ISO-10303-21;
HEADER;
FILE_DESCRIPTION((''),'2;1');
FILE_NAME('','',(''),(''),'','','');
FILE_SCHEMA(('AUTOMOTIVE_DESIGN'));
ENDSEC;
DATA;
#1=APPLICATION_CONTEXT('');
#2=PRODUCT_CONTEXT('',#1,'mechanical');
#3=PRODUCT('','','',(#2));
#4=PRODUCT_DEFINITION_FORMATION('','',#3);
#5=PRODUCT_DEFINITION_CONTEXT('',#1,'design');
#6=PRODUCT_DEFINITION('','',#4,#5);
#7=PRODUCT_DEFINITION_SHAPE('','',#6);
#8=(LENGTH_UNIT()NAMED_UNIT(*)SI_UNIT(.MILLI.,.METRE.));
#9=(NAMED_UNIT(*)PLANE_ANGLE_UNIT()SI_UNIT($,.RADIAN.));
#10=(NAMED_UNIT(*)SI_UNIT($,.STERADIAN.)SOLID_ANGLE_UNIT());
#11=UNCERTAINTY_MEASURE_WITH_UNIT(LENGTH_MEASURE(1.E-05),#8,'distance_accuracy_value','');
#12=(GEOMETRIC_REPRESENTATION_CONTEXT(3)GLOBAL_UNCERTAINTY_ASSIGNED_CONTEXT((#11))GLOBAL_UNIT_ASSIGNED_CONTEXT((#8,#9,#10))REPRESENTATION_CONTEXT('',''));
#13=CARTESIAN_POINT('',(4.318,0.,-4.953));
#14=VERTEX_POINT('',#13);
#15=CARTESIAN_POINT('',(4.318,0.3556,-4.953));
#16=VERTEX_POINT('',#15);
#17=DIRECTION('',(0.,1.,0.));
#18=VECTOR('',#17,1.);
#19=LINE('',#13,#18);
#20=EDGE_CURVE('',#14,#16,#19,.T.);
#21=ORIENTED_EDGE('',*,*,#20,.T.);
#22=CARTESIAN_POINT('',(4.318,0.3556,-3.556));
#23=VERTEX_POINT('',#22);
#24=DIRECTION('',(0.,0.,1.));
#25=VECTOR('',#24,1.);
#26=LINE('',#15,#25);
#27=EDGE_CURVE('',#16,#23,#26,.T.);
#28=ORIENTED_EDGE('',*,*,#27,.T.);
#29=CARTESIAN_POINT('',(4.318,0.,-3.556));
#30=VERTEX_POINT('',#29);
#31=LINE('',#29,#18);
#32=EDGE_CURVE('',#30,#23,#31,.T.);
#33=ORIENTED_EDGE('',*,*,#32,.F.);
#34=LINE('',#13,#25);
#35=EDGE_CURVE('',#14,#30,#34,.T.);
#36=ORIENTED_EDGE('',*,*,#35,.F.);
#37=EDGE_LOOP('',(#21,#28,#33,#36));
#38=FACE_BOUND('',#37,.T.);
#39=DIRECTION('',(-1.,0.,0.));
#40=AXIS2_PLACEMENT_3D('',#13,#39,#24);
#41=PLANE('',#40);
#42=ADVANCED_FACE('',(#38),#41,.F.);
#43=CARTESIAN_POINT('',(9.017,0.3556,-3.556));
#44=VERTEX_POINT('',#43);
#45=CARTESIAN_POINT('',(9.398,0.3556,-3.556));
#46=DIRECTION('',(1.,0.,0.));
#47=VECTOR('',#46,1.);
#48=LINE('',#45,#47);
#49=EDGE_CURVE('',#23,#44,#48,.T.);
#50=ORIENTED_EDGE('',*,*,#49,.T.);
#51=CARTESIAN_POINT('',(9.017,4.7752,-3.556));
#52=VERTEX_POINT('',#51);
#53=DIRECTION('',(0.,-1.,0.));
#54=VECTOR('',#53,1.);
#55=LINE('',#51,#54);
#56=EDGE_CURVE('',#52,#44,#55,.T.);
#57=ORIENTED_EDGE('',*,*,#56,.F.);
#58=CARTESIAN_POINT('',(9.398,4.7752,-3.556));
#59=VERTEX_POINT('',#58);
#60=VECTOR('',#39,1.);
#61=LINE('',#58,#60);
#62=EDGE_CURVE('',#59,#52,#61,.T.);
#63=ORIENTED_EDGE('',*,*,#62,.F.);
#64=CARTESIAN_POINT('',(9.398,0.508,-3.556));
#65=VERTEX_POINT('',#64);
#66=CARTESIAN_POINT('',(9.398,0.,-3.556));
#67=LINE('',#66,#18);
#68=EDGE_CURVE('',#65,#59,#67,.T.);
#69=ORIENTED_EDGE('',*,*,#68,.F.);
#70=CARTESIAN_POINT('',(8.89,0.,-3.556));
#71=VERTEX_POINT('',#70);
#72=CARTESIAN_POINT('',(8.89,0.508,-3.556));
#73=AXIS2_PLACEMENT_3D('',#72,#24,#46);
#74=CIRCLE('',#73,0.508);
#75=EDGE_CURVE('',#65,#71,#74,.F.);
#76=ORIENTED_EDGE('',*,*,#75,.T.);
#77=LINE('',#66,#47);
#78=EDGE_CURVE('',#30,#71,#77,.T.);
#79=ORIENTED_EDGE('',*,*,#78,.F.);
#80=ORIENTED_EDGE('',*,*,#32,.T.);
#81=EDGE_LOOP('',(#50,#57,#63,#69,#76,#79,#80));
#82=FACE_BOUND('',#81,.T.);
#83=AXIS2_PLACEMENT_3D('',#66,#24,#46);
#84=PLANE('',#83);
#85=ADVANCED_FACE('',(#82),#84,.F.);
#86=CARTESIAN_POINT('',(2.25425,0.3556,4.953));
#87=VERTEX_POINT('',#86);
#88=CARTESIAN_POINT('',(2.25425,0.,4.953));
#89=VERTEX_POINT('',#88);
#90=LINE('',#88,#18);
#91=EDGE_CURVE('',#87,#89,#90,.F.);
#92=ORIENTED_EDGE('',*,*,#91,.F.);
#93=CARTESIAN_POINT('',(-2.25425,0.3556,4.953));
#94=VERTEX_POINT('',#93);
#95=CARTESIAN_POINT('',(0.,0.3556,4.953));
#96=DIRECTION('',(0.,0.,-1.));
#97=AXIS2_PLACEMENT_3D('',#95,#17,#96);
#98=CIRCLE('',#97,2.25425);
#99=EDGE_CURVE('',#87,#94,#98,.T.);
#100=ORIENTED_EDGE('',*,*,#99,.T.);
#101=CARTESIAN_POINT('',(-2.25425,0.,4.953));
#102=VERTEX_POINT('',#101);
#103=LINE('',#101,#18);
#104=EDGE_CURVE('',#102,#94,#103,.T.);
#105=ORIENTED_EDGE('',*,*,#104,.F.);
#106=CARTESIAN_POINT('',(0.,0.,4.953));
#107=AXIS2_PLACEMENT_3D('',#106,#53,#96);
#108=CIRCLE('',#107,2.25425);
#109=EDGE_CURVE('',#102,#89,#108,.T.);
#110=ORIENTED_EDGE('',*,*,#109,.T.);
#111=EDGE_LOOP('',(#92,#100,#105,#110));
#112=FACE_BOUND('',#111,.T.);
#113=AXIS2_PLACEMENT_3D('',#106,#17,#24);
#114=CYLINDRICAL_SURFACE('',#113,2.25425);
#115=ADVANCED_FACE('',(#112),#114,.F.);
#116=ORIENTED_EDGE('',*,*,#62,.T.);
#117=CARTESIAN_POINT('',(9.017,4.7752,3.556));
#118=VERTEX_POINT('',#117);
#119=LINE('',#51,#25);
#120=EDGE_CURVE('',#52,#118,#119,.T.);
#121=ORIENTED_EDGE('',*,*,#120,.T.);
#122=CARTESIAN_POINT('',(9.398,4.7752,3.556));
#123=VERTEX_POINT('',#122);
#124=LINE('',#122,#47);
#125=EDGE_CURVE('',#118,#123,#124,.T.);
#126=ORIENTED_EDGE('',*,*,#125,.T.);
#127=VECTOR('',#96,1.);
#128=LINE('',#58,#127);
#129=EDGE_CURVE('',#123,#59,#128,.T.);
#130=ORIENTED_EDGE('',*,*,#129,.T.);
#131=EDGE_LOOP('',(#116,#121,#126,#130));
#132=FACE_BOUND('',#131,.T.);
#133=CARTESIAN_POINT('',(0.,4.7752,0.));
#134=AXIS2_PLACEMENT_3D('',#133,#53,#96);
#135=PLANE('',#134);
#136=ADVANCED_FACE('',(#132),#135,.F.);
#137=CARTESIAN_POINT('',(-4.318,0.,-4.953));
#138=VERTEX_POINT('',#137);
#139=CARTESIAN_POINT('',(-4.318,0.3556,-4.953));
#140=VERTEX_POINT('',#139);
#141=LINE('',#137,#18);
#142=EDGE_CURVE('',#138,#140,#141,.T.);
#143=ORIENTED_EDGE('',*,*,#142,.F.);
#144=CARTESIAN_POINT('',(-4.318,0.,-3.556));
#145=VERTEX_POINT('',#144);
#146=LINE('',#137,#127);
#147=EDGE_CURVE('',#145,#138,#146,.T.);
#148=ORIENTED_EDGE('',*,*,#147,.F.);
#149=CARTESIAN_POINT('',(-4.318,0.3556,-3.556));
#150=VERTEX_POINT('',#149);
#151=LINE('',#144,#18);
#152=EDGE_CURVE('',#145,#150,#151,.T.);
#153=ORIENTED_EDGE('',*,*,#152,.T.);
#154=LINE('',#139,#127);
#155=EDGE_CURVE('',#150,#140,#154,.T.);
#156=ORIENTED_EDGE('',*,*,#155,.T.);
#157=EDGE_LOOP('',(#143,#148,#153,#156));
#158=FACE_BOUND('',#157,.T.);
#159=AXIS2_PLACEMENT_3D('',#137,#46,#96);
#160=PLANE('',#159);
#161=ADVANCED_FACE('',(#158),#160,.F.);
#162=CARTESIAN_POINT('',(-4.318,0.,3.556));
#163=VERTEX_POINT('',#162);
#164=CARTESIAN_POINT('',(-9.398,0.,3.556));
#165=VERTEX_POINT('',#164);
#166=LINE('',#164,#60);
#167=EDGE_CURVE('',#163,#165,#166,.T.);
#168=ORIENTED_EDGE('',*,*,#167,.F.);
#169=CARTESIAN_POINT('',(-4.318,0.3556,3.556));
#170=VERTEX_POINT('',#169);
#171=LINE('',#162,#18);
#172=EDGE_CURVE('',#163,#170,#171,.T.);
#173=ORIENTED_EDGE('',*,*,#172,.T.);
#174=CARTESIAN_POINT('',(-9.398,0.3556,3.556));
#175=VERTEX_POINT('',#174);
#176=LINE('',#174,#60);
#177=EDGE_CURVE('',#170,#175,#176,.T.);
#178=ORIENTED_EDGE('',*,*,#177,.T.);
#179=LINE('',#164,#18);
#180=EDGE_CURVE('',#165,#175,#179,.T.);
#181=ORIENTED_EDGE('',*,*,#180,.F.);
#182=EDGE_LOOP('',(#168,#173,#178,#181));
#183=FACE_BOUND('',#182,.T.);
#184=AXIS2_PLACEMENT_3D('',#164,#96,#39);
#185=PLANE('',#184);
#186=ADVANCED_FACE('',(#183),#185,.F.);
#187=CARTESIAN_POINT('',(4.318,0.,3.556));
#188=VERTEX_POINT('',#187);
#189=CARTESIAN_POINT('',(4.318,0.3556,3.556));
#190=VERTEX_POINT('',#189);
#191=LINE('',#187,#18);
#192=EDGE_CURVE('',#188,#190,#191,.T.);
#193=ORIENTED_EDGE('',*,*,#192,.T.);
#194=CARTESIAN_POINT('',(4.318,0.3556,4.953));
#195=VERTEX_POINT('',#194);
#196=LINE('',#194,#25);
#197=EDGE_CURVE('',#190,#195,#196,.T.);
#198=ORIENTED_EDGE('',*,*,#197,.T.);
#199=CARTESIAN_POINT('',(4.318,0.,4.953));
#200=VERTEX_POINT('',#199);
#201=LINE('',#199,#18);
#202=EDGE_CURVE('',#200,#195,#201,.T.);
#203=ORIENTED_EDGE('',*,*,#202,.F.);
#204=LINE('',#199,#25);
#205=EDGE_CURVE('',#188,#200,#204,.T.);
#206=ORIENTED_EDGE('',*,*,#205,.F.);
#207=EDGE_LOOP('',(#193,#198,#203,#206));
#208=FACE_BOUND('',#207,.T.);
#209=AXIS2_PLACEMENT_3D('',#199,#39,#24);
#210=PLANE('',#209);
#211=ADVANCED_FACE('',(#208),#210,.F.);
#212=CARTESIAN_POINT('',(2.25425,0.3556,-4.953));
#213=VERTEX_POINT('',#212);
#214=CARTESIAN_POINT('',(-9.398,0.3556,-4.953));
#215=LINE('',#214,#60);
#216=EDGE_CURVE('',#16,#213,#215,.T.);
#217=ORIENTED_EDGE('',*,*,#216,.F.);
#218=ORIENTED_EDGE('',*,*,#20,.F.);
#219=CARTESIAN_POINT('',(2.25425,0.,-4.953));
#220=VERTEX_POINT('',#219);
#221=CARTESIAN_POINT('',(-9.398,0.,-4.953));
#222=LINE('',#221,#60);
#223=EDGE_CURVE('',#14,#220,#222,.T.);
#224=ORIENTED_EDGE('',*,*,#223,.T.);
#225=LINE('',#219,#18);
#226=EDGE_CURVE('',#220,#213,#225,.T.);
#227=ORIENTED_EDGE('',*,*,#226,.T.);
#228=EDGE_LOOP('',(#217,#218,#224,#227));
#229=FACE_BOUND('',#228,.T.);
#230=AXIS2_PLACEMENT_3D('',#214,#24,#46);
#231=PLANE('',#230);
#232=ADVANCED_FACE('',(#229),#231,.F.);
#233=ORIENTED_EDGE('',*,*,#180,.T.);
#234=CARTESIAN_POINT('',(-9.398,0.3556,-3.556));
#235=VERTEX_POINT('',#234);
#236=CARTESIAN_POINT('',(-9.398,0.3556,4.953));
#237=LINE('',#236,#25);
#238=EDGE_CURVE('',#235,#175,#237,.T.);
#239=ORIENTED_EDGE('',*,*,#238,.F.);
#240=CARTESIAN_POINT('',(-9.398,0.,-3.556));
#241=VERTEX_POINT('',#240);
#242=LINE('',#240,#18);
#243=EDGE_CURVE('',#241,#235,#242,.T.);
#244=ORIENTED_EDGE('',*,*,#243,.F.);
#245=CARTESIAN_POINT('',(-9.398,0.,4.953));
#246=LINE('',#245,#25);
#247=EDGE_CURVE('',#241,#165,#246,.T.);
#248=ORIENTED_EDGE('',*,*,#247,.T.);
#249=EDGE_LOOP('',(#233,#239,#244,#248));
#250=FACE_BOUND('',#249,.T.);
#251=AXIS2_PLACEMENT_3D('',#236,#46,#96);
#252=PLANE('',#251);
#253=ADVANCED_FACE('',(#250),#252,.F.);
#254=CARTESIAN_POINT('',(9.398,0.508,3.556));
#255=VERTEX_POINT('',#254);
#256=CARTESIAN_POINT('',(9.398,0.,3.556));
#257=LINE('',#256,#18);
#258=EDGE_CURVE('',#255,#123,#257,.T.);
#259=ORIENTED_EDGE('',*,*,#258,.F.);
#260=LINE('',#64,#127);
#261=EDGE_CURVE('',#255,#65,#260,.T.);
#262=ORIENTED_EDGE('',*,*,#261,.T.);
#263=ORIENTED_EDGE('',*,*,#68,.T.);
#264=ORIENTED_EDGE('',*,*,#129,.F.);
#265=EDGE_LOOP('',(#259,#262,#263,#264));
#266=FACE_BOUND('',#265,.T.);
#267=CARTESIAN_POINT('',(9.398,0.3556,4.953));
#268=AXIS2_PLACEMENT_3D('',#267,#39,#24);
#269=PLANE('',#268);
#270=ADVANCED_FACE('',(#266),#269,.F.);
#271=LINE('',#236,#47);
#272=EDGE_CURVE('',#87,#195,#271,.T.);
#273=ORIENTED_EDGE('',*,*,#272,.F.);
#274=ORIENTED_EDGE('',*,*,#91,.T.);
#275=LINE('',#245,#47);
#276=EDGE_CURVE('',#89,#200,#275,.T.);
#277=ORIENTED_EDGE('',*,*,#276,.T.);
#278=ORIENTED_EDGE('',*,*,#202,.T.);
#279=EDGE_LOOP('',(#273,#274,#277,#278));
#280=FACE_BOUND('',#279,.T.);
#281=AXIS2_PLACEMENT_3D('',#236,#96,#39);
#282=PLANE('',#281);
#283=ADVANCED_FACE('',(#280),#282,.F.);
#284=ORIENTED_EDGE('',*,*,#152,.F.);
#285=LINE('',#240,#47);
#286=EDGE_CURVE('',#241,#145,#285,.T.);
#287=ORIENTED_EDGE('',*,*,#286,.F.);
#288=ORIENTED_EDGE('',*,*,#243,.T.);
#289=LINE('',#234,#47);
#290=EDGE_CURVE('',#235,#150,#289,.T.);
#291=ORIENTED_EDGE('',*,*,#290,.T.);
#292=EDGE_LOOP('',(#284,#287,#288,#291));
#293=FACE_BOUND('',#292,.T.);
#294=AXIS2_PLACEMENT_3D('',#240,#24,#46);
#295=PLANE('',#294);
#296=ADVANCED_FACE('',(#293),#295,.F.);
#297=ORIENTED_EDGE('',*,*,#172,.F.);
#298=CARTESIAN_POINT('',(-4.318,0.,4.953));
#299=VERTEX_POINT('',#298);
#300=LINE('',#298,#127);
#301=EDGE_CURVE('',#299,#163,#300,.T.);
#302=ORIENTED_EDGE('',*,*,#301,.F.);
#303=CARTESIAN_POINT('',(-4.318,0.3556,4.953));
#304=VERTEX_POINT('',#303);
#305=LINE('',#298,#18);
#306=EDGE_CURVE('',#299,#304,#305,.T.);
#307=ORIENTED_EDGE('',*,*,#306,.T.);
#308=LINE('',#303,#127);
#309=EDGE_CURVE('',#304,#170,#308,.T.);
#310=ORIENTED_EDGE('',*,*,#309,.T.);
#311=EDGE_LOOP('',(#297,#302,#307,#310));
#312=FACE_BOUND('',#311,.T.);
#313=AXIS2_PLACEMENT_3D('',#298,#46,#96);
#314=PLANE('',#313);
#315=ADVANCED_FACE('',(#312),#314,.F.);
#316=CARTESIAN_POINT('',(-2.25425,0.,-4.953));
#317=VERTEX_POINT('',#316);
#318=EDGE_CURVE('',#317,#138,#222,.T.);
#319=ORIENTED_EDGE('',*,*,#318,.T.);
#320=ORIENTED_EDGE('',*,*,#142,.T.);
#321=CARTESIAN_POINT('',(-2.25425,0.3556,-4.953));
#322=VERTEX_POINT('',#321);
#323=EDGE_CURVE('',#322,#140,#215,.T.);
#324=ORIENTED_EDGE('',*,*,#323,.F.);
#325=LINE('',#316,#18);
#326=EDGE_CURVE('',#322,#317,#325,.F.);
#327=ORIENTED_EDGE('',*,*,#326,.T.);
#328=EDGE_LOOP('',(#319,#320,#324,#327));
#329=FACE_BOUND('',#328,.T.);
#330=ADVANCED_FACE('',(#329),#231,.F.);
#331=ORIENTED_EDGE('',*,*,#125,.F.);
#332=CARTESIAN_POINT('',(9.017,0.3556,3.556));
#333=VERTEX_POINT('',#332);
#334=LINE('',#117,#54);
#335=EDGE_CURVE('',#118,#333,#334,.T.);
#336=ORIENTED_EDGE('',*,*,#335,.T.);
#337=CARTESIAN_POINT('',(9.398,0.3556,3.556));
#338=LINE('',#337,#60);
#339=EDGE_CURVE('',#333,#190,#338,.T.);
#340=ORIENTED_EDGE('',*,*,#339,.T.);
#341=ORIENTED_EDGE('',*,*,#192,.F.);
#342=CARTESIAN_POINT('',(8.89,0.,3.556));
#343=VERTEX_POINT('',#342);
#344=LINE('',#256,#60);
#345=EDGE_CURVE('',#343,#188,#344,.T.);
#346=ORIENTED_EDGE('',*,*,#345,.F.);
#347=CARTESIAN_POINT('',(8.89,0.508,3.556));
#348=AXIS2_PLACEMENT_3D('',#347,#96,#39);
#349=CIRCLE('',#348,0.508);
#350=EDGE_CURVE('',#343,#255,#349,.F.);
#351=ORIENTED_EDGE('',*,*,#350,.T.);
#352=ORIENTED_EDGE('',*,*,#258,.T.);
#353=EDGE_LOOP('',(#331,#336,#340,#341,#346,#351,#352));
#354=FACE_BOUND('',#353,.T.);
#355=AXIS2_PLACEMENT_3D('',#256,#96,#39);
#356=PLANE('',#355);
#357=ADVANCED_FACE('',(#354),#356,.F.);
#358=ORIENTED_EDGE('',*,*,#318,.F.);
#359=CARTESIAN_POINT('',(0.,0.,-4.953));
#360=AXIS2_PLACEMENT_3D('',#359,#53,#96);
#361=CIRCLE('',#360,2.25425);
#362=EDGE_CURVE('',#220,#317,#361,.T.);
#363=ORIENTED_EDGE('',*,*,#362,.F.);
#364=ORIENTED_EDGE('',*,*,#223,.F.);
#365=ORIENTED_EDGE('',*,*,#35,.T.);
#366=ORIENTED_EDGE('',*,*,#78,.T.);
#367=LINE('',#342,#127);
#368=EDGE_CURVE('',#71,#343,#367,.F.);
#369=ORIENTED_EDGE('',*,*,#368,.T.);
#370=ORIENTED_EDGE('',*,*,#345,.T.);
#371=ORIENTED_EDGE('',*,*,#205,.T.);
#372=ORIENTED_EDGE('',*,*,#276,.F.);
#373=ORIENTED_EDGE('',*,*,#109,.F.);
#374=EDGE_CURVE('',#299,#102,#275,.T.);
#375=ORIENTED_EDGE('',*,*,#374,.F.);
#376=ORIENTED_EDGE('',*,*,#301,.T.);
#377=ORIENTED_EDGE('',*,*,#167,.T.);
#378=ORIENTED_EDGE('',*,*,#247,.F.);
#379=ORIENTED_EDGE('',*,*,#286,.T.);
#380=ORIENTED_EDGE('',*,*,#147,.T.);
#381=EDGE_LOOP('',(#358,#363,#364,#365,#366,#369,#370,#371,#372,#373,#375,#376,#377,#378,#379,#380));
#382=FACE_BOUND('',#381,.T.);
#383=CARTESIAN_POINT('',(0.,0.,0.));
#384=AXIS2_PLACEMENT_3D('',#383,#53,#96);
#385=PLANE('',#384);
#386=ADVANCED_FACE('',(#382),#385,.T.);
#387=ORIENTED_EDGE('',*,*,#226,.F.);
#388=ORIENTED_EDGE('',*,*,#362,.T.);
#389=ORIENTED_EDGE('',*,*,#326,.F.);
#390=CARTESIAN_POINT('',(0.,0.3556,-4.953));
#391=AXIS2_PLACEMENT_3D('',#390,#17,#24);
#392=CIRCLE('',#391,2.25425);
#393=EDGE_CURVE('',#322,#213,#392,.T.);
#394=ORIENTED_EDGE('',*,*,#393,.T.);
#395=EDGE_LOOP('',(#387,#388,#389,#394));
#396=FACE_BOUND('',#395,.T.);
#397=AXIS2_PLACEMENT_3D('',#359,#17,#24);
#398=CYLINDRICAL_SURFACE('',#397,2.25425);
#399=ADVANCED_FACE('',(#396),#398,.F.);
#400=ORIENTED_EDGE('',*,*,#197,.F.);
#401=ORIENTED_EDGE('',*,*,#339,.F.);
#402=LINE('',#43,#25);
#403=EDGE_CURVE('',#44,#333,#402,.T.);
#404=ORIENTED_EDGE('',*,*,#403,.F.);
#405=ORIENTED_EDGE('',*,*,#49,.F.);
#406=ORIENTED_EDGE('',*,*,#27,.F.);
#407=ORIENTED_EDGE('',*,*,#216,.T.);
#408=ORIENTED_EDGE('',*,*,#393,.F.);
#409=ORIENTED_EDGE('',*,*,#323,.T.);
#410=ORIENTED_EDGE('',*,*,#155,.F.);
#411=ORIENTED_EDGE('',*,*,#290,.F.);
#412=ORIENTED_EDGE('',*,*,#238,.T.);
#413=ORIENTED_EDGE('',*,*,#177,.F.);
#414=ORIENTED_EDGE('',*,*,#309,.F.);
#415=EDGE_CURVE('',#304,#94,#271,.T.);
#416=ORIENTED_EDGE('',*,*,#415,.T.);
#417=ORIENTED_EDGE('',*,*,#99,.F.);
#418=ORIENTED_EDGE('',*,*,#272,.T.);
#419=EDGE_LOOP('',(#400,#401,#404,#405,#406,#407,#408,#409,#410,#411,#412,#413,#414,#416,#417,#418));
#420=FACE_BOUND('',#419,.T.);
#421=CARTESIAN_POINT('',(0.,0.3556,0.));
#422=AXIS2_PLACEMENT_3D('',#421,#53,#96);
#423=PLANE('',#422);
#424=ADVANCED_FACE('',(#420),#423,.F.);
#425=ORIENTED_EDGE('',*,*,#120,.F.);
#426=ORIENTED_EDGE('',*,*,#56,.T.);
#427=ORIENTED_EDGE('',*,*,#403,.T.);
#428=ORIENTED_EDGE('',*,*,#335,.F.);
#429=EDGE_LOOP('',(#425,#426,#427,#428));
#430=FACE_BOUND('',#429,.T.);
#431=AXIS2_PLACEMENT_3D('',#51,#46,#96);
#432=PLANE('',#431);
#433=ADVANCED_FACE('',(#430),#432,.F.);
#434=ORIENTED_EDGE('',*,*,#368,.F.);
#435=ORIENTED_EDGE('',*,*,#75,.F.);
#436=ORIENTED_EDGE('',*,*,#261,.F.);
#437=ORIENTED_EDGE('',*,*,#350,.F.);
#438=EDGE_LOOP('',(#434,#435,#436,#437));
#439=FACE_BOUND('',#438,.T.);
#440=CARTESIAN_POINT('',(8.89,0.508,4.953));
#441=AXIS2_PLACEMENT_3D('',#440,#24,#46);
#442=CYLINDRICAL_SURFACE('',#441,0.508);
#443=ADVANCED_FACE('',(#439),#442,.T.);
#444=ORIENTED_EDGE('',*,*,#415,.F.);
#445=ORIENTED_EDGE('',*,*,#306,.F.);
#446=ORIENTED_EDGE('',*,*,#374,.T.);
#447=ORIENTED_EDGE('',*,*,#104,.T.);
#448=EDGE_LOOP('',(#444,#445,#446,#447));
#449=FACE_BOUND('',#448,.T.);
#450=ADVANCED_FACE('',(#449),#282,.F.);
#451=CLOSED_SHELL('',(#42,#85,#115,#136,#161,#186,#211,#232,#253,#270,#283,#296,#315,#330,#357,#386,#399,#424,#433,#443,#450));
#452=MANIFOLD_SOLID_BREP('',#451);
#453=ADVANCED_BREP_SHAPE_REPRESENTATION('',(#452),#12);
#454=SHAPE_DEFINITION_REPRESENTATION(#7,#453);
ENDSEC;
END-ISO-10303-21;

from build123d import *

# Parameters (mm, degrees)
SKETCH1_W           = 18.796
SKETCH1_H           = 9.906
BOSS_EXTRUDE1_DEPTH = 0.3556
SKETCH2_R           = 2.25425
SKETCH2_W           = 5.08
SKETCH2_H           = 1.397
CUT_EXTRUDE1_DEPTH  = 11.629255118
SKETCH3_W           = 0.381
SKETCH3_H           = 7.112
BOSS_EXTRUDE2_DEPTH = 4.4196
FILLET2_R           = 0.508


with BuildPart() as part:
    # Sketch1 → Boss-Extrude1 (new body)
    with BuildSketch(Plane(origin=(0, 0, 0), x_dir=(1, 0, 0), z_dir=(0, 1, 0))):
        Rectangle(SKETCH1_W, SKETCH1_H)
    extrude(amount=BOSS_EXTRUDE1_DEPTH)

    # Sketch2 → Cut-Extrude1 (cut, through all)
    with BuildSketch(Plane(origin=(0, 0.3556, 0), x_dir=(1, 0, 0), z_dir=(0, 1, 0))):
        with Locations((0, 4.953)):
            Circle(SKETCH2_R)
        with Locations((0, -4.953)):
            Circle(SKETCH2_R)
        with Locations((-6.858, 4.2545)):
            Rectangle(SKETCH2_W, SKETCH2_H)
        with Locations((6.858, -4.2545)):
            Rectangle(SKETCH2_W, SKETCH2_H)
        with Locations((6.858, 4.2545)):
            Rectangle(SKETCH2_W, SKETCH2_H)
        with Locations((-6.858, -4.2545)):
            Rectangle(SKETCH2_W, SKETCH2_H)
    extrude(amount=-CUT_EXTRUDE1_DEPTH, mode=Mode.SUBTRACT)

    # Sketch3 → Boss-Extrude2 (add)
    with BuildSketch(Plane(origin=(0, 0.3556, 0), x_dir=(1, 0, 0), z_dir=(0, 1, 0))):
        with Locations((9.2075, 0)):
            Rectangle(SKETCH3_W, SKETCH3_H)
    extrude(amount=BOSS_EXTRUDE2_DEPTH)

    # Fillet2
    fillet2_edges = [part.edges().sort_by_distance(p)[0] for p in [
        (9.398, 0, 0),
    ]]
    fillet(fillet2_edges, radius=FILLET2_R)


solid = part.part
